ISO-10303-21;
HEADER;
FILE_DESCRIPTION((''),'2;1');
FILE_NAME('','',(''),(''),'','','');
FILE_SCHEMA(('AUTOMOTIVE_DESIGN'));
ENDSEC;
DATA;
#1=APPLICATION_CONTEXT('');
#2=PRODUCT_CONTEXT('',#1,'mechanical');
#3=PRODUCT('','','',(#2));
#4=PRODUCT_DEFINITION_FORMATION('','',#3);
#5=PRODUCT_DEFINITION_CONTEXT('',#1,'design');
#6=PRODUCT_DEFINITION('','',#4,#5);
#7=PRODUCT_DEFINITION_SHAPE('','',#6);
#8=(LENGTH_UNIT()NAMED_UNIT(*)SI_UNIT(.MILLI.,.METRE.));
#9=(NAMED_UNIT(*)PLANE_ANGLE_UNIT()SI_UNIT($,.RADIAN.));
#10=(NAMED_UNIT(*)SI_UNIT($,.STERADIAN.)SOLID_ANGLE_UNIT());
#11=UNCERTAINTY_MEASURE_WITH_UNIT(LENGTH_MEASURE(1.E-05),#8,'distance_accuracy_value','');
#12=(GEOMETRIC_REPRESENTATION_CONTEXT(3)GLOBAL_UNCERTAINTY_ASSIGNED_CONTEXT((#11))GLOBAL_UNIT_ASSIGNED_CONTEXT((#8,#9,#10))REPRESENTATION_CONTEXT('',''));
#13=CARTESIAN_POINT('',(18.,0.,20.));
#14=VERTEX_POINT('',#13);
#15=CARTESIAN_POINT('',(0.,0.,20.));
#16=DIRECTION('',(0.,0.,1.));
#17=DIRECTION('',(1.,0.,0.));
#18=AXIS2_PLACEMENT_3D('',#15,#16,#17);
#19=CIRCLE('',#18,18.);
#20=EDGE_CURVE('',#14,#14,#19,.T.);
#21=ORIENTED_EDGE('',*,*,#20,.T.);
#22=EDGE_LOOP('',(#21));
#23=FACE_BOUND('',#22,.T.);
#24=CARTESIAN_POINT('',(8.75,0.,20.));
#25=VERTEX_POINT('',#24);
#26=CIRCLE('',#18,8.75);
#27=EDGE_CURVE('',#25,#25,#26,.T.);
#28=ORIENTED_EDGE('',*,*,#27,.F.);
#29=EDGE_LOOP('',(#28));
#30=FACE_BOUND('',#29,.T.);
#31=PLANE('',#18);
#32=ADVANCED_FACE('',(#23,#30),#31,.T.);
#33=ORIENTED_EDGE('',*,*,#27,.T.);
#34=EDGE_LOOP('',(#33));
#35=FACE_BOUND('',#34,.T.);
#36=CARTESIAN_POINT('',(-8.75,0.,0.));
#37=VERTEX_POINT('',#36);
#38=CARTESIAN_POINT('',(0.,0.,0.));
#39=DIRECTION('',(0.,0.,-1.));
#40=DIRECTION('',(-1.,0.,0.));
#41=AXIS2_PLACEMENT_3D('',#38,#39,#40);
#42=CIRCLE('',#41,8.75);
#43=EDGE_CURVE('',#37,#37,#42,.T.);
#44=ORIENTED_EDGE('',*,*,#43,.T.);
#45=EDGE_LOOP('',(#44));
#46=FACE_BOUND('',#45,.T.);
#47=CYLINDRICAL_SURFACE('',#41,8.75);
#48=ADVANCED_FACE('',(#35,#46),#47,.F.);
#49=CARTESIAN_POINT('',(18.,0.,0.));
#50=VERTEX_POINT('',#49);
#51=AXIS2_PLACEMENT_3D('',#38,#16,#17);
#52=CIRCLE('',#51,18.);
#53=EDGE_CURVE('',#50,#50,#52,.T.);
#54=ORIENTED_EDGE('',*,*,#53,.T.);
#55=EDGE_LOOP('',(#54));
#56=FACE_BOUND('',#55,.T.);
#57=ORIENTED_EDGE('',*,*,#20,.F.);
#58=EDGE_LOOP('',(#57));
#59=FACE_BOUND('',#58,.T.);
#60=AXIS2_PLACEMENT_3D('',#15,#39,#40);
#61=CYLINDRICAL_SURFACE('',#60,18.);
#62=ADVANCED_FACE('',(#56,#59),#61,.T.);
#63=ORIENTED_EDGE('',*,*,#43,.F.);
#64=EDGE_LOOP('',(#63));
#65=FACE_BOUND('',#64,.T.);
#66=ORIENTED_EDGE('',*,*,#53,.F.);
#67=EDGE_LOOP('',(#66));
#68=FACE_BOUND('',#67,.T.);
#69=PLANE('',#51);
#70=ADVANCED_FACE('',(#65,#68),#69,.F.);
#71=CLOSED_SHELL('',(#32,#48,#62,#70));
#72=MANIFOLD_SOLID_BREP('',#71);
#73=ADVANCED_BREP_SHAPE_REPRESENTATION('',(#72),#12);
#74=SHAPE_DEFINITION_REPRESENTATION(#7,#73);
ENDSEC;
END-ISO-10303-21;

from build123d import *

# Parameters (mm, degrees)
SKETCH_1_R             = 18
EXTRUDE_1_DEPTH        = 20
HOLE_WIZARD_M201_D     = 17.5
HOLE_WIZARD_M201_DEPTH = 52.5
HOLE_WIZARD_M201_TIP   = 5.257530416


with BuildPart() as part:
    # Эскиз1 → Бобышка-Вытянуть1 (new body)
    with BuildSketch(Plane.XY):
        Circle(SKETCH_1_R)
    extrude(amount=EXTRUDE_1_DEPTH)

    # Отверстие обработанное метчиком M201
    with Locations(Plane(origin=(0, 0, 0), x_dir=(-1, 0, 0), z_dir=(0, 0, -1))):
        with Locations((0, 0)):
            Hole(HOLE_WIZARD_M201_D / 2, depth=HOLE_WIZARD_M201_DEPTH)
            with Locations((0, 0, -(HOLE_WIZARD_M201_DEPTH + HOLE_WIZARD_M201_TIP / 2))):  # 118° drill point
                Cone(0, HOLE_WIZARD_M201_D / 2, HOLE_WIZARD_M201_TIP, mode=Mode.SUBTRACT)


solid = part.part
